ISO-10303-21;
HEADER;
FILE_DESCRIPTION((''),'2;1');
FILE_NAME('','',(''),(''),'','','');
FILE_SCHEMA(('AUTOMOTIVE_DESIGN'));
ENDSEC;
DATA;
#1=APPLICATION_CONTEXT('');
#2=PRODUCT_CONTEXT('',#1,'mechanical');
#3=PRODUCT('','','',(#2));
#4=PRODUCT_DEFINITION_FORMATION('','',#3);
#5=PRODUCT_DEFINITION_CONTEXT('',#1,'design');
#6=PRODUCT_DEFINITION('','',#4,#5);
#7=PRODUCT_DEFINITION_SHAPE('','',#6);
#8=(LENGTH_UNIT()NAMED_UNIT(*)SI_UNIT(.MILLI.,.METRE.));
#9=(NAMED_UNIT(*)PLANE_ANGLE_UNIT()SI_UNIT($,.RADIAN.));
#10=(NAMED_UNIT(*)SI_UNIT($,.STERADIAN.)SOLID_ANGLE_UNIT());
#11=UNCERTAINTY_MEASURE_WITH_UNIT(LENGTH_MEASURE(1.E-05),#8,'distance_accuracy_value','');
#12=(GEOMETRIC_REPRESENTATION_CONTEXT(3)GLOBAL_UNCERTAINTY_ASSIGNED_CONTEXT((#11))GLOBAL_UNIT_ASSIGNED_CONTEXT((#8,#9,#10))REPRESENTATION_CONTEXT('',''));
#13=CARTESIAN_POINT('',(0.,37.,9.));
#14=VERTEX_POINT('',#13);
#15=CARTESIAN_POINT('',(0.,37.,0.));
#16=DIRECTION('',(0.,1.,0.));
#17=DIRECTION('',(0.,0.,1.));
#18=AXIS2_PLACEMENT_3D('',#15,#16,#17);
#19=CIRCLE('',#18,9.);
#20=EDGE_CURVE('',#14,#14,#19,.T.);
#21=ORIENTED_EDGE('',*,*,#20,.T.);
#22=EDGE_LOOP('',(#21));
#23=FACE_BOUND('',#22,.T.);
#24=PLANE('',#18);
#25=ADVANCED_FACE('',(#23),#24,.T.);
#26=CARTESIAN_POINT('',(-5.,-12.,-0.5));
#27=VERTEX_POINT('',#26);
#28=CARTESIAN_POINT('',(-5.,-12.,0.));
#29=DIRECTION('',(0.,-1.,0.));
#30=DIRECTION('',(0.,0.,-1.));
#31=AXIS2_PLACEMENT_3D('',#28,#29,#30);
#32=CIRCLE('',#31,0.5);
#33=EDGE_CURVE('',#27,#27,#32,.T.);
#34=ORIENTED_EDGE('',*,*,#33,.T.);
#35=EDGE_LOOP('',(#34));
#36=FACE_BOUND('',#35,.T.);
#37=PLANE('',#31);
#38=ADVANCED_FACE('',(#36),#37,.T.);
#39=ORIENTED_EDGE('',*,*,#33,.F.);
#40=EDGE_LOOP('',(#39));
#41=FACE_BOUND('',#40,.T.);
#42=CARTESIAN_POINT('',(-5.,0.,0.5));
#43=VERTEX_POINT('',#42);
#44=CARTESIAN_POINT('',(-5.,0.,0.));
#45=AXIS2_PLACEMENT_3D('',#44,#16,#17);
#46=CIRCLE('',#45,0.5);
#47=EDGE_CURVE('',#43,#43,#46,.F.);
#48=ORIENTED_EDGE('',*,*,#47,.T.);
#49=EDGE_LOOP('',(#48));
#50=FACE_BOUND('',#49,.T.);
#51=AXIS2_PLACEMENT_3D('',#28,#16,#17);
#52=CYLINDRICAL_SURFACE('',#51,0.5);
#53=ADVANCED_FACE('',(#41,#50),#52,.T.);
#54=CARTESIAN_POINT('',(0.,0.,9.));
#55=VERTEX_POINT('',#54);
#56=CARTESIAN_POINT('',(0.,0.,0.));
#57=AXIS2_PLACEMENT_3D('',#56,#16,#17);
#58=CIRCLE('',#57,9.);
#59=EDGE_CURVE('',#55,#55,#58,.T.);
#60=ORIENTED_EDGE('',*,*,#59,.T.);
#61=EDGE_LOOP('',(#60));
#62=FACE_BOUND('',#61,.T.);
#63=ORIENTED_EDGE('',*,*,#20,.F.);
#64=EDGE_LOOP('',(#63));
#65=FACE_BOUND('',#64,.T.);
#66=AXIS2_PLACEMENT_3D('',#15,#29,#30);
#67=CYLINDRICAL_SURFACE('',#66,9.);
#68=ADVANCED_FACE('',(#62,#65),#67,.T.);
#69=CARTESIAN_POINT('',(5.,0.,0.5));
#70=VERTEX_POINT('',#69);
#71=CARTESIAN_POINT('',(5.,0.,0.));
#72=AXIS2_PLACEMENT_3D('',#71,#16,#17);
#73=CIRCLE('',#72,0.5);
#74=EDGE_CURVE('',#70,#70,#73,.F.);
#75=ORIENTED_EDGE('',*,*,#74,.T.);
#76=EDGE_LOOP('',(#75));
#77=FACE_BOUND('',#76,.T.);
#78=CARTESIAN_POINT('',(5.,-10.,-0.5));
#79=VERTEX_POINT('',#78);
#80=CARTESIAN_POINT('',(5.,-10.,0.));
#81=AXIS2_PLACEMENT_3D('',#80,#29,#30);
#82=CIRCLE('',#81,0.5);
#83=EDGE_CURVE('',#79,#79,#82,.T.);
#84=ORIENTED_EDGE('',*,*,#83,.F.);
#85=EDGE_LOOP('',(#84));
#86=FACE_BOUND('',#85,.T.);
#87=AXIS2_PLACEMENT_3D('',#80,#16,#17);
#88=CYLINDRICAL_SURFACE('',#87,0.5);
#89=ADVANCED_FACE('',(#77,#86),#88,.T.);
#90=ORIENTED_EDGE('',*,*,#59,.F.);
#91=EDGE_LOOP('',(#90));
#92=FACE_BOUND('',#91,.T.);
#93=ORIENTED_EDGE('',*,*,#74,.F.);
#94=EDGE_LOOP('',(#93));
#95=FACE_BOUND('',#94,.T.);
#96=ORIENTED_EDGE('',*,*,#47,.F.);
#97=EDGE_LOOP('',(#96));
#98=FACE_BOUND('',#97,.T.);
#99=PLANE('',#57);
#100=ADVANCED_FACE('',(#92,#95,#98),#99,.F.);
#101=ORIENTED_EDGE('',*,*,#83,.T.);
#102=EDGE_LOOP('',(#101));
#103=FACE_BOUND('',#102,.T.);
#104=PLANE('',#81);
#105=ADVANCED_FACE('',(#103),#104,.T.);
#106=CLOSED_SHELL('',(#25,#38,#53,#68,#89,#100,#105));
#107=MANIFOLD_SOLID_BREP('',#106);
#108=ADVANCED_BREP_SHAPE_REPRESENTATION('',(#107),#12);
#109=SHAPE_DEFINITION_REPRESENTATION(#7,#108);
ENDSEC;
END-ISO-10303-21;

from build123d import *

# Parameters (mm, degrees)
SKETCH_1_R      = 9
EXTRUDE_1_DEPTH = 37
SKETCH_2_R      = 0.5
EXTRUDE_2_DEPTH = 12
SKETCH_3_R      = 0.5
EXTRUDE_3_DEPTH = 10


with BuildPart() as part:
    # 草图1 → 拉伸1 (new body)
    with BuildSketch(Plane(origin=(0, 0, 0), x_dir=(1, 0, 0), z_dir=(0, 1, 0))):
        with Locations(Location((0, 0, 0), (0, 0, 270))):
            Circle(SKETCH_1_R)
    extrude(amount=EXTRUDE_1_DEPTH)

    # 草图2 → 拉伸2 (add)
    with BuildSketch(Plane.XZ):
        with Locations(Location((-5, 0, 0), (0, 0, 90))):
            Circle(SKETCH_2_R)
    extrude(amount=EXTRUDE_2_DEPTH)

    # 草图3 → 拉伸3 (add)
    with BuildSketch(Plane.XZ):
        with Locations(Location((5, 0, 0), (0, 0, 90))):
            Circle(SKETCH_3_R)
    extrude(amount=EXTRUDE_3_DEPTH)


solid = part.part
